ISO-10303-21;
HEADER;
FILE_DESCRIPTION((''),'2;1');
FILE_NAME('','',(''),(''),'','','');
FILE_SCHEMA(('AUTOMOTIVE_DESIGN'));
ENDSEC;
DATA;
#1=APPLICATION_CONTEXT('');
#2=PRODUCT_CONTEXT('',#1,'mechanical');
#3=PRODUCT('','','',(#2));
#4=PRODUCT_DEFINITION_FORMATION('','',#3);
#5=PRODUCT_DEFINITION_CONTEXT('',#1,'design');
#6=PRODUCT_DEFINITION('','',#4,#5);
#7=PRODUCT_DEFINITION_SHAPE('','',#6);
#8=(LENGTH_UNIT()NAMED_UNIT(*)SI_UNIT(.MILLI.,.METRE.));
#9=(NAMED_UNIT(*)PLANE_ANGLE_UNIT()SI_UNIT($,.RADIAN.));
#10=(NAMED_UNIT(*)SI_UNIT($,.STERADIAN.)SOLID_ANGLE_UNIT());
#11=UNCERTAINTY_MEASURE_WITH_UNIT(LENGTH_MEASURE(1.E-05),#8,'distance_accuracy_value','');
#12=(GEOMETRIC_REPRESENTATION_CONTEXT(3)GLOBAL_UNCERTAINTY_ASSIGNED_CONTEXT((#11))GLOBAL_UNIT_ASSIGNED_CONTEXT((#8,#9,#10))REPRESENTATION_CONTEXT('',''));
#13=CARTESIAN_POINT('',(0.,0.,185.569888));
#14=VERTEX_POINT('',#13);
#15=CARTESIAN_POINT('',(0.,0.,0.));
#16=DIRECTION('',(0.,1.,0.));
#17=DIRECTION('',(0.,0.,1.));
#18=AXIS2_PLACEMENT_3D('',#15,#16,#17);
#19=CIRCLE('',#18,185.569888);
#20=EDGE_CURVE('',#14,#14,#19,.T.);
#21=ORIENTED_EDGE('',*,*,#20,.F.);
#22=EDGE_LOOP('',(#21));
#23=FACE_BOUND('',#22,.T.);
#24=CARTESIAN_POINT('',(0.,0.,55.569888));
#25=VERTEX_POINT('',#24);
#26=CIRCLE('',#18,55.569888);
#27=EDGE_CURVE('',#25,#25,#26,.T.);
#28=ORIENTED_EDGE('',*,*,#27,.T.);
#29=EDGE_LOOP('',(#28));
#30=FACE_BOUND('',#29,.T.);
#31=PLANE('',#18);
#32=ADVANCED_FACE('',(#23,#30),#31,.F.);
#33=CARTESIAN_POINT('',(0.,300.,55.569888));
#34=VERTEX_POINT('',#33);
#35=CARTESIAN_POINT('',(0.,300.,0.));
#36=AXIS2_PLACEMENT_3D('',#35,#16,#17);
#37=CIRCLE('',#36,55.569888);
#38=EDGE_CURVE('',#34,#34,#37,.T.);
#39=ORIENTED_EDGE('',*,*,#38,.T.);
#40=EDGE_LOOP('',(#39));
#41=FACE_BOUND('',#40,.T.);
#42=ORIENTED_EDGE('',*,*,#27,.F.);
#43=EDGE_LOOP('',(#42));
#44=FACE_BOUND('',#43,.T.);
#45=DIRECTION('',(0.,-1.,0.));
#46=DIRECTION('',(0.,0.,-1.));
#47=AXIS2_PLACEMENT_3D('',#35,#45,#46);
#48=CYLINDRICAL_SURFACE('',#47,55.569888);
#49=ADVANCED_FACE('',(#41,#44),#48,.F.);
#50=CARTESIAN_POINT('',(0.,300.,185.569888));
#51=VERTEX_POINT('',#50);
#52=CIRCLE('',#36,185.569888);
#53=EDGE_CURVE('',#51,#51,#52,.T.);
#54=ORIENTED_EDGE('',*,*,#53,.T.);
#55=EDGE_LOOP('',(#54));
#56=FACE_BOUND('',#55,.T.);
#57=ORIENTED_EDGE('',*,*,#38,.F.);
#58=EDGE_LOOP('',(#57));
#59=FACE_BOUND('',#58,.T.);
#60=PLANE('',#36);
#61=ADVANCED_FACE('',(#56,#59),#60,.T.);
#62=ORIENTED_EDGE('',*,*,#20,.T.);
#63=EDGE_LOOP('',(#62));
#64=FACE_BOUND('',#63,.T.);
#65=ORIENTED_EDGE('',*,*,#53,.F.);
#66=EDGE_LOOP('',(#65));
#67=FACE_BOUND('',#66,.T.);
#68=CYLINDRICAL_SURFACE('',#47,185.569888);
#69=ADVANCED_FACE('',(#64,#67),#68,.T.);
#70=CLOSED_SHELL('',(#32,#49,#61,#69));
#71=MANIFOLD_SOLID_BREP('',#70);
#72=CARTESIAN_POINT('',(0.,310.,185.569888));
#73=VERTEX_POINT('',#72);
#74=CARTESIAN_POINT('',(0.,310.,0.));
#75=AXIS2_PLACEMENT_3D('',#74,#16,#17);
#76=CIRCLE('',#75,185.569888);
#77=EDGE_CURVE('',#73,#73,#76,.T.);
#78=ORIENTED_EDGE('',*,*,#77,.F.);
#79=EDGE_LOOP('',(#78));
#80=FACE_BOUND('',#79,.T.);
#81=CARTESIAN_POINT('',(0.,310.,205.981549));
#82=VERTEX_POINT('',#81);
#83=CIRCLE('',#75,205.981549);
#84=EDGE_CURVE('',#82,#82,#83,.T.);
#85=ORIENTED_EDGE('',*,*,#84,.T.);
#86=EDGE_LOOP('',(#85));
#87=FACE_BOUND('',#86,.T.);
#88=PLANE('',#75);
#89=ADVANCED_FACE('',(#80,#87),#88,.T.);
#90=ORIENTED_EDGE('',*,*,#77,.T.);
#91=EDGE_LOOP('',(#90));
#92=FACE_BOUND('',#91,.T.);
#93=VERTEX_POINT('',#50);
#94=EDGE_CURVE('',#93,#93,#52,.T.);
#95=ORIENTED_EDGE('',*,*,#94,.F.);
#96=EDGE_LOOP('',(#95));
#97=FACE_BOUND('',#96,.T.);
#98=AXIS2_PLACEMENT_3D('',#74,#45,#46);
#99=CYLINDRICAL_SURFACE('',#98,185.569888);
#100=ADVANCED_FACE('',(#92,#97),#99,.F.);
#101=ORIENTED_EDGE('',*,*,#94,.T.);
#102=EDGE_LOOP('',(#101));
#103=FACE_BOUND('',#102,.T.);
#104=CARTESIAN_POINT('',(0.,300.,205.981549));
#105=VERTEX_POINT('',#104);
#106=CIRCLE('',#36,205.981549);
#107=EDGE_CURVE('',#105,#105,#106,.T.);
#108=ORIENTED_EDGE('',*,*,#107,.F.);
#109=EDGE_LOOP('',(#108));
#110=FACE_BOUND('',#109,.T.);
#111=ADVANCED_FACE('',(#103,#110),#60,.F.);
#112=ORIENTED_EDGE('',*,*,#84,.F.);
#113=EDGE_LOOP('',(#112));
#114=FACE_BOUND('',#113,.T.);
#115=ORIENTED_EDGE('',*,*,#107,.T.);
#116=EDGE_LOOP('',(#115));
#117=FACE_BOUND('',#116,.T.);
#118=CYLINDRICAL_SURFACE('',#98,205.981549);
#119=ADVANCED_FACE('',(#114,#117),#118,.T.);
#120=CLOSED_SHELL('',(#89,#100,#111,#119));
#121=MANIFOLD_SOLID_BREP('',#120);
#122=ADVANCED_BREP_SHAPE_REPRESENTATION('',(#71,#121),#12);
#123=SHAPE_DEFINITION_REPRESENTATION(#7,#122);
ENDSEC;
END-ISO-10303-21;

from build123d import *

# Parameters (mm, degrees)
CROQUIS1_R              = 185.569887542
CROQUIS1_R_2            = 55.569887542
SALIENTE_EXTRUIR1_DEPTH = 300
CROQUIS2_R              = 205.981548736
CROQUIS2_R_2            = 185.569887542
SALIENTE_EXTRUIR2_DEPTH = 10


with BuildPart() as part:
    # Croquis1 → Saliente-Extruir1 (new body)
    with BuildSketch(Plane(origin=(0, 0, 0), x_dir=(1, 0, 0), z_dir=(0, 1, 0))):
        Circle(CROQUIS1_R)
        Circle(CROQUIS1_R_2, mode=Mode.SUBTRACT)
    extrude(amount=SALIENTE_EXTRUIR1_DEPTH)


with BuildPart() as body_2:
    # Croquis2 → Saliente-Extruir2 (new body)
    with BuildSketch(Plane(origin=(0, 300, 0), x_dir=(1, 0, 0), z_dir=(0, 1, 0))):
        Circle(CROQUIS2_R)
        Circle(CROQUIS2_R_2, mode=Mode.SUBTRACT)
    extrude(amount=SALIENTE_EXTRUIR2_DEPTH)


solid = Compound([part.part, body_2.part])
